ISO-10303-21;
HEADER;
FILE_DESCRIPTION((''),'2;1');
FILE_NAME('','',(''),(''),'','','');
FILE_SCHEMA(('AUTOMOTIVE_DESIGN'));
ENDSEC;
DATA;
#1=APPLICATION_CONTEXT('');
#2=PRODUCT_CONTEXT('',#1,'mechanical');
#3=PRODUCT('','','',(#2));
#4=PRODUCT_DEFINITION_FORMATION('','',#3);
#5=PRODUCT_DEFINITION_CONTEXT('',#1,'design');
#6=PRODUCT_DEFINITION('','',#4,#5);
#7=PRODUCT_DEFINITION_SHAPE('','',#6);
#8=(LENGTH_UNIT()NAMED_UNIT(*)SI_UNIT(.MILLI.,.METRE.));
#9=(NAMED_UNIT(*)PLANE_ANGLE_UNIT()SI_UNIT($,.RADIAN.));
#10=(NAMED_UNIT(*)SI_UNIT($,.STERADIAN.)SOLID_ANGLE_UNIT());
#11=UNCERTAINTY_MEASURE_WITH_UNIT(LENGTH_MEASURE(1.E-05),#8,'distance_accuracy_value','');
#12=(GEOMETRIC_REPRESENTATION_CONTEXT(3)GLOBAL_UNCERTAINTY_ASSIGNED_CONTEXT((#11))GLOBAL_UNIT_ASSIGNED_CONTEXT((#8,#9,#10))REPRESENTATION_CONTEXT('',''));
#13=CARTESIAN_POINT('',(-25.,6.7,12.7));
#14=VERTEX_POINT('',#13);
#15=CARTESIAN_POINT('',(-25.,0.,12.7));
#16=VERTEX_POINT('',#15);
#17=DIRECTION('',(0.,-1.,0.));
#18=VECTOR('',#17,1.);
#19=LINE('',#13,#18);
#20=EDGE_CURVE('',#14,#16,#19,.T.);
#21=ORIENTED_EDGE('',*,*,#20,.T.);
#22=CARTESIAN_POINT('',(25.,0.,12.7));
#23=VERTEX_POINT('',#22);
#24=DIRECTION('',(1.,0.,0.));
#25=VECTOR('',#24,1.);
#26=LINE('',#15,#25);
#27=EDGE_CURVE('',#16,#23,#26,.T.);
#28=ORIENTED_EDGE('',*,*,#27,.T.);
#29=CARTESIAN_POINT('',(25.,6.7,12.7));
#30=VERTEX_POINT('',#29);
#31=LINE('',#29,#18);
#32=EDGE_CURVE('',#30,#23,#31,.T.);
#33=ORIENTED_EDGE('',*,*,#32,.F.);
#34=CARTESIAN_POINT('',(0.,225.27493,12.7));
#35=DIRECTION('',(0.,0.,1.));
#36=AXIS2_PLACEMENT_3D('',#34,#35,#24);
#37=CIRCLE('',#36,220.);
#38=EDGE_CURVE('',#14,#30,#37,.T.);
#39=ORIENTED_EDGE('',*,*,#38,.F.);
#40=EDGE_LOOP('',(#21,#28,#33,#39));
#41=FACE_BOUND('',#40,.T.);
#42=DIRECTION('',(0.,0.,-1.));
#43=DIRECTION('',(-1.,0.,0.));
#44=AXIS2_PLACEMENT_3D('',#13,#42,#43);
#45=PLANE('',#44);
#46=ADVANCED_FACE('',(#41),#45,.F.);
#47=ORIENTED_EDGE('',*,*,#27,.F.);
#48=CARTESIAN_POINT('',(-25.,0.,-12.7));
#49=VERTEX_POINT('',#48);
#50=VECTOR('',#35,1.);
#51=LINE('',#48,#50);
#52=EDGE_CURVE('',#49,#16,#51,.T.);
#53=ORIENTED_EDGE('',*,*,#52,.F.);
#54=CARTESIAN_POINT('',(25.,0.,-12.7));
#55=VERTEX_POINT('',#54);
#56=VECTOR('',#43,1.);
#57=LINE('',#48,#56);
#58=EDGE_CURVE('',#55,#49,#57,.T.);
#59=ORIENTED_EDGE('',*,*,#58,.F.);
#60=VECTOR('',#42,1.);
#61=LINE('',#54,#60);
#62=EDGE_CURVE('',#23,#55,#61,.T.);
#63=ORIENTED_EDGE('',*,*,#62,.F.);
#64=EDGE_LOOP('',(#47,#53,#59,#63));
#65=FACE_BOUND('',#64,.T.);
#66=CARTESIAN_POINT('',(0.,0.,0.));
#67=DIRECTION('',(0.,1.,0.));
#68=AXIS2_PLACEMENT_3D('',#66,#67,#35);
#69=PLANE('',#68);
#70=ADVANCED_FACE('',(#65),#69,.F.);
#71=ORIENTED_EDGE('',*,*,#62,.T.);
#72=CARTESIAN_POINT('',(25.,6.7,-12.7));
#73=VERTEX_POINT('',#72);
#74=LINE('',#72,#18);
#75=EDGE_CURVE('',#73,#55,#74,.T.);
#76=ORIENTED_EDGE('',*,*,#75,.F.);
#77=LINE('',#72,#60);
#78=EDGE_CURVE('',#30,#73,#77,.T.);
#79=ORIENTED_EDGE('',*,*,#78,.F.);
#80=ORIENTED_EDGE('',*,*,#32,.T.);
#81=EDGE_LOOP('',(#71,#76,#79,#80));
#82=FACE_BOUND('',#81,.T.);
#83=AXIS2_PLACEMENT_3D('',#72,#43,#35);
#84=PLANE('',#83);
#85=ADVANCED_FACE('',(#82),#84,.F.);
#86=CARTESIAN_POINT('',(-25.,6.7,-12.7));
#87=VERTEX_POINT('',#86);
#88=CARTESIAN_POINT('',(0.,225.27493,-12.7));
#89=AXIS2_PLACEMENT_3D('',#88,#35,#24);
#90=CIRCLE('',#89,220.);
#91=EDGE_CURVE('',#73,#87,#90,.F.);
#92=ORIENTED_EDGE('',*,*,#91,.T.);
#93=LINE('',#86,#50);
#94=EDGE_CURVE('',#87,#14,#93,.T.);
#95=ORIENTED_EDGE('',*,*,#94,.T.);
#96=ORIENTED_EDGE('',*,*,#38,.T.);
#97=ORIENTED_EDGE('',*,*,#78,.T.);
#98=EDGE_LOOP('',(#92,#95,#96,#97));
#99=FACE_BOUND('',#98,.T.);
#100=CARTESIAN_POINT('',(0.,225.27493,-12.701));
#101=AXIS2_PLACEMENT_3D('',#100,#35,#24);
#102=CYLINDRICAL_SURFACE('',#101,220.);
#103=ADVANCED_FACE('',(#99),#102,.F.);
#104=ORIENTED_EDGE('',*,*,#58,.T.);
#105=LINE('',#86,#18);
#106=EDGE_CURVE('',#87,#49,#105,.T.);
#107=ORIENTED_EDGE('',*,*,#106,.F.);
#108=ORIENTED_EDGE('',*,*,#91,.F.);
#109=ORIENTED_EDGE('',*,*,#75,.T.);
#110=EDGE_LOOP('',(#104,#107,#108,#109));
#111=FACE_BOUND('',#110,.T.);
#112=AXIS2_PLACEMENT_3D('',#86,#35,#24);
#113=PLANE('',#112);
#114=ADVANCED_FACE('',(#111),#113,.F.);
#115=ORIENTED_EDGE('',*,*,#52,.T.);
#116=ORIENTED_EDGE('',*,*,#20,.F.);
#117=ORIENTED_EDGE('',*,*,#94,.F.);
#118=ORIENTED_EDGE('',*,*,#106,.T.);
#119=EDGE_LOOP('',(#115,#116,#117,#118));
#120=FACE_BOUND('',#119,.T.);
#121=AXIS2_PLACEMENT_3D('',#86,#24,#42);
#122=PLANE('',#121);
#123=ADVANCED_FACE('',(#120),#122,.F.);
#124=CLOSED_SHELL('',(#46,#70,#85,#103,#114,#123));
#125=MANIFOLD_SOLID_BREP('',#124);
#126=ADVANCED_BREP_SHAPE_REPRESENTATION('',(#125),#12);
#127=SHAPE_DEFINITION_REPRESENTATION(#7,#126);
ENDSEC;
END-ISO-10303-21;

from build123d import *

# Parameters (mm, degrees)
SKETCH_1_W          = 50
SKETCH_1_H          = 25.4
EXTRUDE_1_DEPTH     = 6.7
CUT_EXTRUDE_1_REACH = 38.264


with BuildPart() as part:
    # 草图1 → 凸台-拉伸1 (new body)
    with BuildSketch(Plane(origin=(0, 0, 0), x_dir=(1, 0, 0), z_dir=(0, 1, 0))):
        Rectangle(SKETCH_1_W, SKETCH_1_H)
    extrude(amount=EXTRUDE_1_DEPTH)

    # 草图2 → 切除-拉伸1 (cut, up to next)
    with BuildSketch(Plane.XY.offset(12.7), mode=Mode.PRIVATE) as cut_extrude_1_sk1:
        with BuildLine():
            Line((25, 6.7), (-25, 6.7))
            ThreePointArc((-25, 6.7), (0, 5.274929944), (25, 6.7))
        make_face()
    cut_extrude_1_tool1 = extrude(cut_extrude_1_sk1.sketch, amount=-CUT_EXTRUDE_1_REACH, mode=Mode.PRIVATE) & part.part
    add(cut_extrude_1_tool1.solids().sort_by_distance((0, 6.129813, 12.7))[0], mode=Mode.SUBTRACT)


solid = part.part
